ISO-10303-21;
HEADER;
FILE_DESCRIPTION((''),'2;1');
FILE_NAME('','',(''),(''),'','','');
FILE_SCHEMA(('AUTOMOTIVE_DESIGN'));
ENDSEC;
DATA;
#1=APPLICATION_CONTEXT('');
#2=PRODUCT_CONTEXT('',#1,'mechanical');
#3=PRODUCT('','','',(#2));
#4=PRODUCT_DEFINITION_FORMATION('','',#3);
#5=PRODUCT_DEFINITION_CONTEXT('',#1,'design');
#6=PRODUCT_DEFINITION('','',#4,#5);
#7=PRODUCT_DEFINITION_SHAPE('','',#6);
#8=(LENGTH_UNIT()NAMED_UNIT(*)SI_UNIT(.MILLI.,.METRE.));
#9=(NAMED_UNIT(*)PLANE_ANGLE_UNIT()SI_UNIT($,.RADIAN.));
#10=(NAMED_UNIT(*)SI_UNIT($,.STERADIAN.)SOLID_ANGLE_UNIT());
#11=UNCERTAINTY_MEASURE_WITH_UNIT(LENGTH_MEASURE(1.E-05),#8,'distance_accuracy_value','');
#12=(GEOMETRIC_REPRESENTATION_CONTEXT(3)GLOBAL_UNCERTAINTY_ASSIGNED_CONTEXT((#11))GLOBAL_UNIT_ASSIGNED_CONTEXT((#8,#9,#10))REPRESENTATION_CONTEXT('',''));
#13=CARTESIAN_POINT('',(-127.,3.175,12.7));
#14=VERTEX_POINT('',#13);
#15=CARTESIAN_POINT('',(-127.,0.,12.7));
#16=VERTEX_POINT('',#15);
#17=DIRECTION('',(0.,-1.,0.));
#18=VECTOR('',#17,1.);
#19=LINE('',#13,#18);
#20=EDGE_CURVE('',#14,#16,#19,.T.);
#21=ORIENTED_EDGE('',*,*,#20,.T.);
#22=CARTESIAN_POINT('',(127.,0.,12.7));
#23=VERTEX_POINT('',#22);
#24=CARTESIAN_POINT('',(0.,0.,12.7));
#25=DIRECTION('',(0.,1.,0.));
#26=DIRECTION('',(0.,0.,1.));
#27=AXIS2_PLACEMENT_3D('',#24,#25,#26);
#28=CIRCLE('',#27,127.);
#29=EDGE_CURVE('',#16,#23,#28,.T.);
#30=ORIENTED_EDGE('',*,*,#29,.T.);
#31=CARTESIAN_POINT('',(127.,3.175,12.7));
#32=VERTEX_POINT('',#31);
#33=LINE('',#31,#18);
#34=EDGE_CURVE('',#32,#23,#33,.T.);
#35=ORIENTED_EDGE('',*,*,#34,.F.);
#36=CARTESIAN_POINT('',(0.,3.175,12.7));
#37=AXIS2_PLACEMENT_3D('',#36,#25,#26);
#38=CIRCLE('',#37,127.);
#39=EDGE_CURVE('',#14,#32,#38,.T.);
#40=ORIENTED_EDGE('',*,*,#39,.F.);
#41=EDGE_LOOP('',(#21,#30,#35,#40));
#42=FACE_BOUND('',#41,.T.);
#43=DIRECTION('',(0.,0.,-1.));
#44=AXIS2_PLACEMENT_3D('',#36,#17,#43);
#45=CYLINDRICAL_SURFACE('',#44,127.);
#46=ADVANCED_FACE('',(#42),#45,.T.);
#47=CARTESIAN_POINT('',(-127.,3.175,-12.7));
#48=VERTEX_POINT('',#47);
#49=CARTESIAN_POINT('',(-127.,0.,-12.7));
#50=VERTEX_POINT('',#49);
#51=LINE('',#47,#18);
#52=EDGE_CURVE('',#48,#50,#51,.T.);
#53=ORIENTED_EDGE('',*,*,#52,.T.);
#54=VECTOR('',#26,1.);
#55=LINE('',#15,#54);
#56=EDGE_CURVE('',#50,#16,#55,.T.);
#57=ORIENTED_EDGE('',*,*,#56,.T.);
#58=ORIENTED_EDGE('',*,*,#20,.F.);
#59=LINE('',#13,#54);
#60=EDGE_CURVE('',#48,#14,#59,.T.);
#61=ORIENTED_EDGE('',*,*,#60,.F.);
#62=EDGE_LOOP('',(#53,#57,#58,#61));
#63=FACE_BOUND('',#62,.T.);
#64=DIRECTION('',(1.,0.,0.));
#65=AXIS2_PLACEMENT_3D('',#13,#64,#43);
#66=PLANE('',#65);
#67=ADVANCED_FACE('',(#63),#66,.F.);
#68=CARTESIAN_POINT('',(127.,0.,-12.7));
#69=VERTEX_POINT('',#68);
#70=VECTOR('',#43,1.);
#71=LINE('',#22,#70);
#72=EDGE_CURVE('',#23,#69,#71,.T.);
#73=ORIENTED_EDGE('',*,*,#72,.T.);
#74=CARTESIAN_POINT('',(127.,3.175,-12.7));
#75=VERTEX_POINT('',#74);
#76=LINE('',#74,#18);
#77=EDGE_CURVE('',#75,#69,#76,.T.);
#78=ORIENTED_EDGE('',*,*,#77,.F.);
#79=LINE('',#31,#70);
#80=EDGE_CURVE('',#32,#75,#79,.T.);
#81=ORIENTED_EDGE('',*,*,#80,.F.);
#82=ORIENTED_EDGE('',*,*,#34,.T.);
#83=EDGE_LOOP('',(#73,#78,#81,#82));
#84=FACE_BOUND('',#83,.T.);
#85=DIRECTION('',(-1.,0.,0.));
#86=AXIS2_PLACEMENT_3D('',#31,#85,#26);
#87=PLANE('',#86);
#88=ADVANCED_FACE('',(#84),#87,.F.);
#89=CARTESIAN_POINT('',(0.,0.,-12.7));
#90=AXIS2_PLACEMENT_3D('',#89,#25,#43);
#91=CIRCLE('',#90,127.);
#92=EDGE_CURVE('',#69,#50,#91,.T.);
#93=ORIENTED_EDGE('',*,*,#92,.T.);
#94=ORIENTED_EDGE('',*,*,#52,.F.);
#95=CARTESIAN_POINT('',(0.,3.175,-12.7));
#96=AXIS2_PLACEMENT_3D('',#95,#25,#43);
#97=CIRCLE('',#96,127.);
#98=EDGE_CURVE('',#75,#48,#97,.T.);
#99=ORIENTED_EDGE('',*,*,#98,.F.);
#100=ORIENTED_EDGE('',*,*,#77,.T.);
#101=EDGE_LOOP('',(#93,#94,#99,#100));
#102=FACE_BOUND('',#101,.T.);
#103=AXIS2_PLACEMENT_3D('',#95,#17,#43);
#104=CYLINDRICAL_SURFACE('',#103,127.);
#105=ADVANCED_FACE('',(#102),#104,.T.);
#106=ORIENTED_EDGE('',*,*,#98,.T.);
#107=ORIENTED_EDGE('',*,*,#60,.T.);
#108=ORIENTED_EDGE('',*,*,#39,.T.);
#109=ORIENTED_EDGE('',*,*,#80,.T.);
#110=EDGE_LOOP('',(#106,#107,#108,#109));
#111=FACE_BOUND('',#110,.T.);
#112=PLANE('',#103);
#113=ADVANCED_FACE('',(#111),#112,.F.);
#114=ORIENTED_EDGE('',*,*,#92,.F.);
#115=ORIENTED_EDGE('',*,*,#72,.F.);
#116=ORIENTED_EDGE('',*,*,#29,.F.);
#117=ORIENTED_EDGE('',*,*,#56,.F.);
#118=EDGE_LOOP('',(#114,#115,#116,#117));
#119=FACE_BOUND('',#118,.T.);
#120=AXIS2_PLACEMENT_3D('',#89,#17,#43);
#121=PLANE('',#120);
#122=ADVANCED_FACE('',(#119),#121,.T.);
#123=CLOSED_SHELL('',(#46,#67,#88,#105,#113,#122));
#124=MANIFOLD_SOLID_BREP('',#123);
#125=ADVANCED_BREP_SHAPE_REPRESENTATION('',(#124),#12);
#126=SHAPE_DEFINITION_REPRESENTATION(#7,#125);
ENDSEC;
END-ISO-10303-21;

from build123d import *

# Parameters (mm, degrees)
BOSS_EXTRUDE1_DEPTH = 3.175


with BuildPart() as part:
    # Sketch1 → Boss-Extrude1 (new body)
    with BuildSketch(Plane(origin=(0, 0, 0), x_dir=(1, 0, 0), z_dir=(0, 1, 0))):
        with BuildLine():
            Line((127, -12.7), (127, 12.7))
            ThreePointArc((127, 12.7), (0, 139.7), (-127, 12.7))
            Line((-127, 12.7), (-127, -12.7))
            ThreePointArc((-127, -12.7), (0, -139.7), (127, -12.7))
        make_face()
    extrude(amount=BOSS_EXTRUDE1_DEPTH)


solid = part.part
